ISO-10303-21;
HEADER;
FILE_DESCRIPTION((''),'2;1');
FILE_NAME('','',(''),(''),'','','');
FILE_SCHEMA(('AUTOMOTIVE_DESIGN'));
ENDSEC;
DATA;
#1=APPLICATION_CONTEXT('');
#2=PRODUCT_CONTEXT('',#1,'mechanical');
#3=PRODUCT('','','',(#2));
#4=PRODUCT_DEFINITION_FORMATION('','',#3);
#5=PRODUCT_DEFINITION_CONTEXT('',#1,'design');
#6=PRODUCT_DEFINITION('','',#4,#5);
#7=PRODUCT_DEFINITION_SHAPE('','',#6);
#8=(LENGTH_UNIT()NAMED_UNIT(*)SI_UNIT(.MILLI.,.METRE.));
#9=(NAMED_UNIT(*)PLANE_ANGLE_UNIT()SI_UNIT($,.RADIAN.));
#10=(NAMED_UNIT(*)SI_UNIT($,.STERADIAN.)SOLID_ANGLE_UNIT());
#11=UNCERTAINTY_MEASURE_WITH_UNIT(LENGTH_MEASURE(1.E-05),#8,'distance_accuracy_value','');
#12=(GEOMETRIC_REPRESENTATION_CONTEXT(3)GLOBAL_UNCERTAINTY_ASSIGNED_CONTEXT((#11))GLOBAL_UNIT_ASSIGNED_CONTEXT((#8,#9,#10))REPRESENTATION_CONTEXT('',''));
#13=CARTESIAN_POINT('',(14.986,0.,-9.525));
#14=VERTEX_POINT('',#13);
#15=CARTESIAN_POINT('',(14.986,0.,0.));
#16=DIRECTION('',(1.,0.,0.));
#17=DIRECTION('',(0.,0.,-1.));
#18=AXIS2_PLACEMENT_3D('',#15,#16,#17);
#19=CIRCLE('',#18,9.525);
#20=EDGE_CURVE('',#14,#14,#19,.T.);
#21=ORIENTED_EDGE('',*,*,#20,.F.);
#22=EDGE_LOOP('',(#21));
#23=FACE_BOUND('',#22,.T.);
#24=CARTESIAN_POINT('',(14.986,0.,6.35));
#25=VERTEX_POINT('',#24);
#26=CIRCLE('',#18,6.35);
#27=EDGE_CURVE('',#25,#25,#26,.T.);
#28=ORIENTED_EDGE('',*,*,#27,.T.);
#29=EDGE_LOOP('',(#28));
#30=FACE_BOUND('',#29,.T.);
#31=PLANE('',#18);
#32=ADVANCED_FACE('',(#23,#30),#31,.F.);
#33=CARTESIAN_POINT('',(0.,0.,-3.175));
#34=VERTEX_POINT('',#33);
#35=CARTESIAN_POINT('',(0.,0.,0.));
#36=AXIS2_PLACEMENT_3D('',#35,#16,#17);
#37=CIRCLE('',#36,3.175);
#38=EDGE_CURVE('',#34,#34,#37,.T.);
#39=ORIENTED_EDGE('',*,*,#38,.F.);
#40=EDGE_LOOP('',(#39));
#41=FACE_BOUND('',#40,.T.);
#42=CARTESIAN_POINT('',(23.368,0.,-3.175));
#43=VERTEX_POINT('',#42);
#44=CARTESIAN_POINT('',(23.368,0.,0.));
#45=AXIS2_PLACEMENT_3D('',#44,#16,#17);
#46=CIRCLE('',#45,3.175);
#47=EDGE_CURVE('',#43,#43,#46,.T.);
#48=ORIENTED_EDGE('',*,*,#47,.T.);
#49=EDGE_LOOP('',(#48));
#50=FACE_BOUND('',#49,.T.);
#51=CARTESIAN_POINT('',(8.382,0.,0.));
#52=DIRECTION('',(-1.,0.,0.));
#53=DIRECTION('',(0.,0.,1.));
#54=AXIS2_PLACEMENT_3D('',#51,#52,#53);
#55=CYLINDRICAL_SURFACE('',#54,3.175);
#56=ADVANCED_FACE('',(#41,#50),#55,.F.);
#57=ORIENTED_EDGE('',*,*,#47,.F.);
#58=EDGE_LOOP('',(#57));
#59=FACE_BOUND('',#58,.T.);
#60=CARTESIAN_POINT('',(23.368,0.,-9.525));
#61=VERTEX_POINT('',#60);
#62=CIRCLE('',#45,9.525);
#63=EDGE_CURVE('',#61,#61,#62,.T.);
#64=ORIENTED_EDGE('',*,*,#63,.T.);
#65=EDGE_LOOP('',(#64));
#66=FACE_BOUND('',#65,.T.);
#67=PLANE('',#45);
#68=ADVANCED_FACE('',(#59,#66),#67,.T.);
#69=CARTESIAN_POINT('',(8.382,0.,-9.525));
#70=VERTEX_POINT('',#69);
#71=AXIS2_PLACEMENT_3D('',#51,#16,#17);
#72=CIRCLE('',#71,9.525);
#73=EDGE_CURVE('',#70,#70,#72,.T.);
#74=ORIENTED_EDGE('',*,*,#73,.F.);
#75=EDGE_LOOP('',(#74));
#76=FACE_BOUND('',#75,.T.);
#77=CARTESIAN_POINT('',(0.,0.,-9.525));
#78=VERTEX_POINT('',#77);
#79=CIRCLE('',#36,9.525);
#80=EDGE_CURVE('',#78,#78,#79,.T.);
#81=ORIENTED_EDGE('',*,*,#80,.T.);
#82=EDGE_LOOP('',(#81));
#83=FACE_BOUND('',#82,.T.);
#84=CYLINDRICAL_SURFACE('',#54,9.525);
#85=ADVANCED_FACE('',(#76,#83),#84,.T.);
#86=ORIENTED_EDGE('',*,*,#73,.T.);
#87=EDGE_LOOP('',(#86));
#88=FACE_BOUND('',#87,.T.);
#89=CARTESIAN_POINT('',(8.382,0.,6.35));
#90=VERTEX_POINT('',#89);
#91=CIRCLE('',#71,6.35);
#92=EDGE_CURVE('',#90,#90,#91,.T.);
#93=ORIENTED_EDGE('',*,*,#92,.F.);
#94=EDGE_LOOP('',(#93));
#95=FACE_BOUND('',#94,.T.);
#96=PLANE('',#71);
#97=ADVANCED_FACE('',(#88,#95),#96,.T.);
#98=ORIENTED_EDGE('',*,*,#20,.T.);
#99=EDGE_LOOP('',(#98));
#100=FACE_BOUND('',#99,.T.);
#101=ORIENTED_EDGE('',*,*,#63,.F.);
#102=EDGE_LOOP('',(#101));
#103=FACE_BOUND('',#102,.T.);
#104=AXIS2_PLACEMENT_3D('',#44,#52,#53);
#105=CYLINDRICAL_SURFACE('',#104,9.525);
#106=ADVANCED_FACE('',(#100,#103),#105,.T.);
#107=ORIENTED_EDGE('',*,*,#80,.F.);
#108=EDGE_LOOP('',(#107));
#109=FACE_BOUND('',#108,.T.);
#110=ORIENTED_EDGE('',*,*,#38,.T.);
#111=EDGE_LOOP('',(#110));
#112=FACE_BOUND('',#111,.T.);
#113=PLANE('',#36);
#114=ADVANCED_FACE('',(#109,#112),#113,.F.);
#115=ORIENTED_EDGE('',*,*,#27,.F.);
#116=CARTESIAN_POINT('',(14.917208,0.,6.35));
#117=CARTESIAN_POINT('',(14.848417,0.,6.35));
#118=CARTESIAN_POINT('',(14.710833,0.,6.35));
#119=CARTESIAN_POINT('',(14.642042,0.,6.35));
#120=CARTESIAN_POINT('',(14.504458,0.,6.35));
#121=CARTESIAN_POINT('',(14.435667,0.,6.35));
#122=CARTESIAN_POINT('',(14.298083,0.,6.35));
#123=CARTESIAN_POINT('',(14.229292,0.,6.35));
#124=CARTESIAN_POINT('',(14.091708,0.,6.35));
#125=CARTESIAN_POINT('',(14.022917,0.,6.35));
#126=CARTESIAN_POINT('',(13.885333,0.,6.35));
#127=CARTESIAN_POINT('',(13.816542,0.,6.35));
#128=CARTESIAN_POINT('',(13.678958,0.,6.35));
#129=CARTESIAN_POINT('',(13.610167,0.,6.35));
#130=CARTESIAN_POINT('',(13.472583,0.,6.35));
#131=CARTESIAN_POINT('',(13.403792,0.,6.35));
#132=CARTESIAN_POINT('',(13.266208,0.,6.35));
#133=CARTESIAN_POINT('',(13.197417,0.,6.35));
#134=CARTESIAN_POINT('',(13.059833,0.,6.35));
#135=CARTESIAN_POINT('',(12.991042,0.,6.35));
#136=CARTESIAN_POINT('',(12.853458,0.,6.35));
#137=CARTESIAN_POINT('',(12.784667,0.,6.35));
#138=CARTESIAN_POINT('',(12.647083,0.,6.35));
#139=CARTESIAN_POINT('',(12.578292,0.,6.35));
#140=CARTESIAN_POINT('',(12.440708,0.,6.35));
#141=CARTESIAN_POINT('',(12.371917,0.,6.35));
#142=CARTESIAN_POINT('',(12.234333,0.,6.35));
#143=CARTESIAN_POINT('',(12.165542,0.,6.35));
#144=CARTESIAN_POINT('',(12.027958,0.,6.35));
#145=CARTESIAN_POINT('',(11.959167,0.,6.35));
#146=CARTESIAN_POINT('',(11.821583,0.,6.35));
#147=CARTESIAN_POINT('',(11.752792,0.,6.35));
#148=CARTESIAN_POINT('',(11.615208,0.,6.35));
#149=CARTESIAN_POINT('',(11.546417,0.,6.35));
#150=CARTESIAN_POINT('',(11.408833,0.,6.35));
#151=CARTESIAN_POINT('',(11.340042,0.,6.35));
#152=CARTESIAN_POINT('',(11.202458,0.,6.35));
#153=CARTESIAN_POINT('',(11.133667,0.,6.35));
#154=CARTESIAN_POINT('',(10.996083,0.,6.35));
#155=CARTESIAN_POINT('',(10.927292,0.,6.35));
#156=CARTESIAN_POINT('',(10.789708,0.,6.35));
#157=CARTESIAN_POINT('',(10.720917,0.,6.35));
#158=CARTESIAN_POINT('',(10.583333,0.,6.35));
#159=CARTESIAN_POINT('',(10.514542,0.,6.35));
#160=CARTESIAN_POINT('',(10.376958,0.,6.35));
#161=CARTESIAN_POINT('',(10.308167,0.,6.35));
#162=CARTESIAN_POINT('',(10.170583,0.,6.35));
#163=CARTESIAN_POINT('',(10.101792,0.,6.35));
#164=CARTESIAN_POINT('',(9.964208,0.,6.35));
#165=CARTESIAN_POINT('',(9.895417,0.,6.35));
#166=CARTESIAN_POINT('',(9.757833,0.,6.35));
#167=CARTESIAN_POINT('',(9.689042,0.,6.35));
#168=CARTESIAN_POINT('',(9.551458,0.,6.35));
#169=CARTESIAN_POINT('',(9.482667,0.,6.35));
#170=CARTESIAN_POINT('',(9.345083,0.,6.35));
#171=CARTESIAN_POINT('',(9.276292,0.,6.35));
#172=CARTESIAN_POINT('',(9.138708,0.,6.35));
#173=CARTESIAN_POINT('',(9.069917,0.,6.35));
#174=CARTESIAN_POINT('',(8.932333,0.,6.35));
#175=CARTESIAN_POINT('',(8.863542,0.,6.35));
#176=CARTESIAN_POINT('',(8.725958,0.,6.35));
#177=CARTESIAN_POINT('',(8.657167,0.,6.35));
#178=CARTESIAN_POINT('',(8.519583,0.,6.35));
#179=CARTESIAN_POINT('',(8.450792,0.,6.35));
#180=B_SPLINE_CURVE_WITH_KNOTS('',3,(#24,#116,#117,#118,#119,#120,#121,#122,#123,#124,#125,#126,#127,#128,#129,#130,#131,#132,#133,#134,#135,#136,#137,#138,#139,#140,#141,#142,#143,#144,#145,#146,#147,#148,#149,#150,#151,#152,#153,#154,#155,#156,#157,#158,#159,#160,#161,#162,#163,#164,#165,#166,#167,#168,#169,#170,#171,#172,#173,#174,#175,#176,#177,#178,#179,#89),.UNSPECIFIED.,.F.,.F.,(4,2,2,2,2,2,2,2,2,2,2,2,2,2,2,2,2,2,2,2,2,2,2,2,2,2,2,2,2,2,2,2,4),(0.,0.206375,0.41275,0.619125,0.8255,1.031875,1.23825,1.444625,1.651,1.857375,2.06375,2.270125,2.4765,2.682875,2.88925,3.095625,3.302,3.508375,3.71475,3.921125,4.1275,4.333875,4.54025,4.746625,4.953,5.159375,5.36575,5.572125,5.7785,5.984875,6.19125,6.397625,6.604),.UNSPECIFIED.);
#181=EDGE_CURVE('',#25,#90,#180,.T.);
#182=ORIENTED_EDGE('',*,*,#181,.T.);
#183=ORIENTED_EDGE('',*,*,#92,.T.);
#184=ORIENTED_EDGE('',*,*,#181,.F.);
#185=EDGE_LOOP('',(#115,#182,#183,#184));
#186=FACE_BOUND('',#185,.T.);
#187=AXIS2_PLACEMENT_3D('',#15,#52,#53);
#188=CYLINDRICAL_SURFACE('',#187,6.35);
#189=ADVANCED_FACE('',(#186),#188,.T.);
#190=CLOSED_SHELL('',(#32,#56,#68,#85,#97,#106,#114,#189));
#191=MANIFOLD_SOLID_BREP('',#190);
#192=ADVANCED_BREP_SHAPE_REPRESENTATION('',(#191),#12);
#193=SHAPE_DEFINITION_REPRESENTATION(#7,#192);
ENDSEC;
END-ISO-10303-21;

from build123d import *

# Parameters (mm, degrees)
SKETCH1_R           = 9.525
SKETCH1_R_2         = 3.175
BOSS_EXTRUDE1_DEPTH = 8.382
SKETCH2_R           = 6.35
SKETCH2_R_2         = 3.175
BOSS_EXTRUDE2_DEPTH = 6.604
SKETCH3_R           = 9.525
SKETCH3_R_2         = 3.175
BOSS_EXTRUDE3_DEPTH = 8.382


with BuildPart() as part:
    # Sketch1 → Boss-Extrude1 (new body)
    with BuildSketch(Plane(origin=(0, 0, 0), x_dir=(0, 0, -1), z_dir=(1, 0, 0))):
        Circle(SKETCH1_R)
        Circle(SKETCH1_R_2, mode=Mode.SUBTRACT)
    extrude(amount=BOSS_EXTRUDE1_DEPTH)

    # Sketch2 → Boss-Extrude2 (add)
    with BuildSketch(Plane(origin=(8.382, 0, 0), x_dir=(0, 0, -1), z_dir=(1, 0, 0))):
        with Locations(Location((0, 0, 0), (0, 0, 180))):
            Circle(SKETCH2_R)
        Circle(SKETCH2_R_2, mode=Mode.SUBTRACT)
    extrude(amount=BOSS_EXTRUDE2_DEPTH)

    # Sketch3 → Boss-Extrude3 (add)
    with BuildSketch(Plane(origin=(14.986, 0, 0), x_dir=(0, 0, -1), z_dir=(1, 0, 0))):
        Circle(SKETCH3_R)
        Circle(SKETCH3_R_2, mode=Mode.SUBTRACT)
    extrude(amount=BOSS_EXTRUDE3_DEPTH)


solid = part.part
